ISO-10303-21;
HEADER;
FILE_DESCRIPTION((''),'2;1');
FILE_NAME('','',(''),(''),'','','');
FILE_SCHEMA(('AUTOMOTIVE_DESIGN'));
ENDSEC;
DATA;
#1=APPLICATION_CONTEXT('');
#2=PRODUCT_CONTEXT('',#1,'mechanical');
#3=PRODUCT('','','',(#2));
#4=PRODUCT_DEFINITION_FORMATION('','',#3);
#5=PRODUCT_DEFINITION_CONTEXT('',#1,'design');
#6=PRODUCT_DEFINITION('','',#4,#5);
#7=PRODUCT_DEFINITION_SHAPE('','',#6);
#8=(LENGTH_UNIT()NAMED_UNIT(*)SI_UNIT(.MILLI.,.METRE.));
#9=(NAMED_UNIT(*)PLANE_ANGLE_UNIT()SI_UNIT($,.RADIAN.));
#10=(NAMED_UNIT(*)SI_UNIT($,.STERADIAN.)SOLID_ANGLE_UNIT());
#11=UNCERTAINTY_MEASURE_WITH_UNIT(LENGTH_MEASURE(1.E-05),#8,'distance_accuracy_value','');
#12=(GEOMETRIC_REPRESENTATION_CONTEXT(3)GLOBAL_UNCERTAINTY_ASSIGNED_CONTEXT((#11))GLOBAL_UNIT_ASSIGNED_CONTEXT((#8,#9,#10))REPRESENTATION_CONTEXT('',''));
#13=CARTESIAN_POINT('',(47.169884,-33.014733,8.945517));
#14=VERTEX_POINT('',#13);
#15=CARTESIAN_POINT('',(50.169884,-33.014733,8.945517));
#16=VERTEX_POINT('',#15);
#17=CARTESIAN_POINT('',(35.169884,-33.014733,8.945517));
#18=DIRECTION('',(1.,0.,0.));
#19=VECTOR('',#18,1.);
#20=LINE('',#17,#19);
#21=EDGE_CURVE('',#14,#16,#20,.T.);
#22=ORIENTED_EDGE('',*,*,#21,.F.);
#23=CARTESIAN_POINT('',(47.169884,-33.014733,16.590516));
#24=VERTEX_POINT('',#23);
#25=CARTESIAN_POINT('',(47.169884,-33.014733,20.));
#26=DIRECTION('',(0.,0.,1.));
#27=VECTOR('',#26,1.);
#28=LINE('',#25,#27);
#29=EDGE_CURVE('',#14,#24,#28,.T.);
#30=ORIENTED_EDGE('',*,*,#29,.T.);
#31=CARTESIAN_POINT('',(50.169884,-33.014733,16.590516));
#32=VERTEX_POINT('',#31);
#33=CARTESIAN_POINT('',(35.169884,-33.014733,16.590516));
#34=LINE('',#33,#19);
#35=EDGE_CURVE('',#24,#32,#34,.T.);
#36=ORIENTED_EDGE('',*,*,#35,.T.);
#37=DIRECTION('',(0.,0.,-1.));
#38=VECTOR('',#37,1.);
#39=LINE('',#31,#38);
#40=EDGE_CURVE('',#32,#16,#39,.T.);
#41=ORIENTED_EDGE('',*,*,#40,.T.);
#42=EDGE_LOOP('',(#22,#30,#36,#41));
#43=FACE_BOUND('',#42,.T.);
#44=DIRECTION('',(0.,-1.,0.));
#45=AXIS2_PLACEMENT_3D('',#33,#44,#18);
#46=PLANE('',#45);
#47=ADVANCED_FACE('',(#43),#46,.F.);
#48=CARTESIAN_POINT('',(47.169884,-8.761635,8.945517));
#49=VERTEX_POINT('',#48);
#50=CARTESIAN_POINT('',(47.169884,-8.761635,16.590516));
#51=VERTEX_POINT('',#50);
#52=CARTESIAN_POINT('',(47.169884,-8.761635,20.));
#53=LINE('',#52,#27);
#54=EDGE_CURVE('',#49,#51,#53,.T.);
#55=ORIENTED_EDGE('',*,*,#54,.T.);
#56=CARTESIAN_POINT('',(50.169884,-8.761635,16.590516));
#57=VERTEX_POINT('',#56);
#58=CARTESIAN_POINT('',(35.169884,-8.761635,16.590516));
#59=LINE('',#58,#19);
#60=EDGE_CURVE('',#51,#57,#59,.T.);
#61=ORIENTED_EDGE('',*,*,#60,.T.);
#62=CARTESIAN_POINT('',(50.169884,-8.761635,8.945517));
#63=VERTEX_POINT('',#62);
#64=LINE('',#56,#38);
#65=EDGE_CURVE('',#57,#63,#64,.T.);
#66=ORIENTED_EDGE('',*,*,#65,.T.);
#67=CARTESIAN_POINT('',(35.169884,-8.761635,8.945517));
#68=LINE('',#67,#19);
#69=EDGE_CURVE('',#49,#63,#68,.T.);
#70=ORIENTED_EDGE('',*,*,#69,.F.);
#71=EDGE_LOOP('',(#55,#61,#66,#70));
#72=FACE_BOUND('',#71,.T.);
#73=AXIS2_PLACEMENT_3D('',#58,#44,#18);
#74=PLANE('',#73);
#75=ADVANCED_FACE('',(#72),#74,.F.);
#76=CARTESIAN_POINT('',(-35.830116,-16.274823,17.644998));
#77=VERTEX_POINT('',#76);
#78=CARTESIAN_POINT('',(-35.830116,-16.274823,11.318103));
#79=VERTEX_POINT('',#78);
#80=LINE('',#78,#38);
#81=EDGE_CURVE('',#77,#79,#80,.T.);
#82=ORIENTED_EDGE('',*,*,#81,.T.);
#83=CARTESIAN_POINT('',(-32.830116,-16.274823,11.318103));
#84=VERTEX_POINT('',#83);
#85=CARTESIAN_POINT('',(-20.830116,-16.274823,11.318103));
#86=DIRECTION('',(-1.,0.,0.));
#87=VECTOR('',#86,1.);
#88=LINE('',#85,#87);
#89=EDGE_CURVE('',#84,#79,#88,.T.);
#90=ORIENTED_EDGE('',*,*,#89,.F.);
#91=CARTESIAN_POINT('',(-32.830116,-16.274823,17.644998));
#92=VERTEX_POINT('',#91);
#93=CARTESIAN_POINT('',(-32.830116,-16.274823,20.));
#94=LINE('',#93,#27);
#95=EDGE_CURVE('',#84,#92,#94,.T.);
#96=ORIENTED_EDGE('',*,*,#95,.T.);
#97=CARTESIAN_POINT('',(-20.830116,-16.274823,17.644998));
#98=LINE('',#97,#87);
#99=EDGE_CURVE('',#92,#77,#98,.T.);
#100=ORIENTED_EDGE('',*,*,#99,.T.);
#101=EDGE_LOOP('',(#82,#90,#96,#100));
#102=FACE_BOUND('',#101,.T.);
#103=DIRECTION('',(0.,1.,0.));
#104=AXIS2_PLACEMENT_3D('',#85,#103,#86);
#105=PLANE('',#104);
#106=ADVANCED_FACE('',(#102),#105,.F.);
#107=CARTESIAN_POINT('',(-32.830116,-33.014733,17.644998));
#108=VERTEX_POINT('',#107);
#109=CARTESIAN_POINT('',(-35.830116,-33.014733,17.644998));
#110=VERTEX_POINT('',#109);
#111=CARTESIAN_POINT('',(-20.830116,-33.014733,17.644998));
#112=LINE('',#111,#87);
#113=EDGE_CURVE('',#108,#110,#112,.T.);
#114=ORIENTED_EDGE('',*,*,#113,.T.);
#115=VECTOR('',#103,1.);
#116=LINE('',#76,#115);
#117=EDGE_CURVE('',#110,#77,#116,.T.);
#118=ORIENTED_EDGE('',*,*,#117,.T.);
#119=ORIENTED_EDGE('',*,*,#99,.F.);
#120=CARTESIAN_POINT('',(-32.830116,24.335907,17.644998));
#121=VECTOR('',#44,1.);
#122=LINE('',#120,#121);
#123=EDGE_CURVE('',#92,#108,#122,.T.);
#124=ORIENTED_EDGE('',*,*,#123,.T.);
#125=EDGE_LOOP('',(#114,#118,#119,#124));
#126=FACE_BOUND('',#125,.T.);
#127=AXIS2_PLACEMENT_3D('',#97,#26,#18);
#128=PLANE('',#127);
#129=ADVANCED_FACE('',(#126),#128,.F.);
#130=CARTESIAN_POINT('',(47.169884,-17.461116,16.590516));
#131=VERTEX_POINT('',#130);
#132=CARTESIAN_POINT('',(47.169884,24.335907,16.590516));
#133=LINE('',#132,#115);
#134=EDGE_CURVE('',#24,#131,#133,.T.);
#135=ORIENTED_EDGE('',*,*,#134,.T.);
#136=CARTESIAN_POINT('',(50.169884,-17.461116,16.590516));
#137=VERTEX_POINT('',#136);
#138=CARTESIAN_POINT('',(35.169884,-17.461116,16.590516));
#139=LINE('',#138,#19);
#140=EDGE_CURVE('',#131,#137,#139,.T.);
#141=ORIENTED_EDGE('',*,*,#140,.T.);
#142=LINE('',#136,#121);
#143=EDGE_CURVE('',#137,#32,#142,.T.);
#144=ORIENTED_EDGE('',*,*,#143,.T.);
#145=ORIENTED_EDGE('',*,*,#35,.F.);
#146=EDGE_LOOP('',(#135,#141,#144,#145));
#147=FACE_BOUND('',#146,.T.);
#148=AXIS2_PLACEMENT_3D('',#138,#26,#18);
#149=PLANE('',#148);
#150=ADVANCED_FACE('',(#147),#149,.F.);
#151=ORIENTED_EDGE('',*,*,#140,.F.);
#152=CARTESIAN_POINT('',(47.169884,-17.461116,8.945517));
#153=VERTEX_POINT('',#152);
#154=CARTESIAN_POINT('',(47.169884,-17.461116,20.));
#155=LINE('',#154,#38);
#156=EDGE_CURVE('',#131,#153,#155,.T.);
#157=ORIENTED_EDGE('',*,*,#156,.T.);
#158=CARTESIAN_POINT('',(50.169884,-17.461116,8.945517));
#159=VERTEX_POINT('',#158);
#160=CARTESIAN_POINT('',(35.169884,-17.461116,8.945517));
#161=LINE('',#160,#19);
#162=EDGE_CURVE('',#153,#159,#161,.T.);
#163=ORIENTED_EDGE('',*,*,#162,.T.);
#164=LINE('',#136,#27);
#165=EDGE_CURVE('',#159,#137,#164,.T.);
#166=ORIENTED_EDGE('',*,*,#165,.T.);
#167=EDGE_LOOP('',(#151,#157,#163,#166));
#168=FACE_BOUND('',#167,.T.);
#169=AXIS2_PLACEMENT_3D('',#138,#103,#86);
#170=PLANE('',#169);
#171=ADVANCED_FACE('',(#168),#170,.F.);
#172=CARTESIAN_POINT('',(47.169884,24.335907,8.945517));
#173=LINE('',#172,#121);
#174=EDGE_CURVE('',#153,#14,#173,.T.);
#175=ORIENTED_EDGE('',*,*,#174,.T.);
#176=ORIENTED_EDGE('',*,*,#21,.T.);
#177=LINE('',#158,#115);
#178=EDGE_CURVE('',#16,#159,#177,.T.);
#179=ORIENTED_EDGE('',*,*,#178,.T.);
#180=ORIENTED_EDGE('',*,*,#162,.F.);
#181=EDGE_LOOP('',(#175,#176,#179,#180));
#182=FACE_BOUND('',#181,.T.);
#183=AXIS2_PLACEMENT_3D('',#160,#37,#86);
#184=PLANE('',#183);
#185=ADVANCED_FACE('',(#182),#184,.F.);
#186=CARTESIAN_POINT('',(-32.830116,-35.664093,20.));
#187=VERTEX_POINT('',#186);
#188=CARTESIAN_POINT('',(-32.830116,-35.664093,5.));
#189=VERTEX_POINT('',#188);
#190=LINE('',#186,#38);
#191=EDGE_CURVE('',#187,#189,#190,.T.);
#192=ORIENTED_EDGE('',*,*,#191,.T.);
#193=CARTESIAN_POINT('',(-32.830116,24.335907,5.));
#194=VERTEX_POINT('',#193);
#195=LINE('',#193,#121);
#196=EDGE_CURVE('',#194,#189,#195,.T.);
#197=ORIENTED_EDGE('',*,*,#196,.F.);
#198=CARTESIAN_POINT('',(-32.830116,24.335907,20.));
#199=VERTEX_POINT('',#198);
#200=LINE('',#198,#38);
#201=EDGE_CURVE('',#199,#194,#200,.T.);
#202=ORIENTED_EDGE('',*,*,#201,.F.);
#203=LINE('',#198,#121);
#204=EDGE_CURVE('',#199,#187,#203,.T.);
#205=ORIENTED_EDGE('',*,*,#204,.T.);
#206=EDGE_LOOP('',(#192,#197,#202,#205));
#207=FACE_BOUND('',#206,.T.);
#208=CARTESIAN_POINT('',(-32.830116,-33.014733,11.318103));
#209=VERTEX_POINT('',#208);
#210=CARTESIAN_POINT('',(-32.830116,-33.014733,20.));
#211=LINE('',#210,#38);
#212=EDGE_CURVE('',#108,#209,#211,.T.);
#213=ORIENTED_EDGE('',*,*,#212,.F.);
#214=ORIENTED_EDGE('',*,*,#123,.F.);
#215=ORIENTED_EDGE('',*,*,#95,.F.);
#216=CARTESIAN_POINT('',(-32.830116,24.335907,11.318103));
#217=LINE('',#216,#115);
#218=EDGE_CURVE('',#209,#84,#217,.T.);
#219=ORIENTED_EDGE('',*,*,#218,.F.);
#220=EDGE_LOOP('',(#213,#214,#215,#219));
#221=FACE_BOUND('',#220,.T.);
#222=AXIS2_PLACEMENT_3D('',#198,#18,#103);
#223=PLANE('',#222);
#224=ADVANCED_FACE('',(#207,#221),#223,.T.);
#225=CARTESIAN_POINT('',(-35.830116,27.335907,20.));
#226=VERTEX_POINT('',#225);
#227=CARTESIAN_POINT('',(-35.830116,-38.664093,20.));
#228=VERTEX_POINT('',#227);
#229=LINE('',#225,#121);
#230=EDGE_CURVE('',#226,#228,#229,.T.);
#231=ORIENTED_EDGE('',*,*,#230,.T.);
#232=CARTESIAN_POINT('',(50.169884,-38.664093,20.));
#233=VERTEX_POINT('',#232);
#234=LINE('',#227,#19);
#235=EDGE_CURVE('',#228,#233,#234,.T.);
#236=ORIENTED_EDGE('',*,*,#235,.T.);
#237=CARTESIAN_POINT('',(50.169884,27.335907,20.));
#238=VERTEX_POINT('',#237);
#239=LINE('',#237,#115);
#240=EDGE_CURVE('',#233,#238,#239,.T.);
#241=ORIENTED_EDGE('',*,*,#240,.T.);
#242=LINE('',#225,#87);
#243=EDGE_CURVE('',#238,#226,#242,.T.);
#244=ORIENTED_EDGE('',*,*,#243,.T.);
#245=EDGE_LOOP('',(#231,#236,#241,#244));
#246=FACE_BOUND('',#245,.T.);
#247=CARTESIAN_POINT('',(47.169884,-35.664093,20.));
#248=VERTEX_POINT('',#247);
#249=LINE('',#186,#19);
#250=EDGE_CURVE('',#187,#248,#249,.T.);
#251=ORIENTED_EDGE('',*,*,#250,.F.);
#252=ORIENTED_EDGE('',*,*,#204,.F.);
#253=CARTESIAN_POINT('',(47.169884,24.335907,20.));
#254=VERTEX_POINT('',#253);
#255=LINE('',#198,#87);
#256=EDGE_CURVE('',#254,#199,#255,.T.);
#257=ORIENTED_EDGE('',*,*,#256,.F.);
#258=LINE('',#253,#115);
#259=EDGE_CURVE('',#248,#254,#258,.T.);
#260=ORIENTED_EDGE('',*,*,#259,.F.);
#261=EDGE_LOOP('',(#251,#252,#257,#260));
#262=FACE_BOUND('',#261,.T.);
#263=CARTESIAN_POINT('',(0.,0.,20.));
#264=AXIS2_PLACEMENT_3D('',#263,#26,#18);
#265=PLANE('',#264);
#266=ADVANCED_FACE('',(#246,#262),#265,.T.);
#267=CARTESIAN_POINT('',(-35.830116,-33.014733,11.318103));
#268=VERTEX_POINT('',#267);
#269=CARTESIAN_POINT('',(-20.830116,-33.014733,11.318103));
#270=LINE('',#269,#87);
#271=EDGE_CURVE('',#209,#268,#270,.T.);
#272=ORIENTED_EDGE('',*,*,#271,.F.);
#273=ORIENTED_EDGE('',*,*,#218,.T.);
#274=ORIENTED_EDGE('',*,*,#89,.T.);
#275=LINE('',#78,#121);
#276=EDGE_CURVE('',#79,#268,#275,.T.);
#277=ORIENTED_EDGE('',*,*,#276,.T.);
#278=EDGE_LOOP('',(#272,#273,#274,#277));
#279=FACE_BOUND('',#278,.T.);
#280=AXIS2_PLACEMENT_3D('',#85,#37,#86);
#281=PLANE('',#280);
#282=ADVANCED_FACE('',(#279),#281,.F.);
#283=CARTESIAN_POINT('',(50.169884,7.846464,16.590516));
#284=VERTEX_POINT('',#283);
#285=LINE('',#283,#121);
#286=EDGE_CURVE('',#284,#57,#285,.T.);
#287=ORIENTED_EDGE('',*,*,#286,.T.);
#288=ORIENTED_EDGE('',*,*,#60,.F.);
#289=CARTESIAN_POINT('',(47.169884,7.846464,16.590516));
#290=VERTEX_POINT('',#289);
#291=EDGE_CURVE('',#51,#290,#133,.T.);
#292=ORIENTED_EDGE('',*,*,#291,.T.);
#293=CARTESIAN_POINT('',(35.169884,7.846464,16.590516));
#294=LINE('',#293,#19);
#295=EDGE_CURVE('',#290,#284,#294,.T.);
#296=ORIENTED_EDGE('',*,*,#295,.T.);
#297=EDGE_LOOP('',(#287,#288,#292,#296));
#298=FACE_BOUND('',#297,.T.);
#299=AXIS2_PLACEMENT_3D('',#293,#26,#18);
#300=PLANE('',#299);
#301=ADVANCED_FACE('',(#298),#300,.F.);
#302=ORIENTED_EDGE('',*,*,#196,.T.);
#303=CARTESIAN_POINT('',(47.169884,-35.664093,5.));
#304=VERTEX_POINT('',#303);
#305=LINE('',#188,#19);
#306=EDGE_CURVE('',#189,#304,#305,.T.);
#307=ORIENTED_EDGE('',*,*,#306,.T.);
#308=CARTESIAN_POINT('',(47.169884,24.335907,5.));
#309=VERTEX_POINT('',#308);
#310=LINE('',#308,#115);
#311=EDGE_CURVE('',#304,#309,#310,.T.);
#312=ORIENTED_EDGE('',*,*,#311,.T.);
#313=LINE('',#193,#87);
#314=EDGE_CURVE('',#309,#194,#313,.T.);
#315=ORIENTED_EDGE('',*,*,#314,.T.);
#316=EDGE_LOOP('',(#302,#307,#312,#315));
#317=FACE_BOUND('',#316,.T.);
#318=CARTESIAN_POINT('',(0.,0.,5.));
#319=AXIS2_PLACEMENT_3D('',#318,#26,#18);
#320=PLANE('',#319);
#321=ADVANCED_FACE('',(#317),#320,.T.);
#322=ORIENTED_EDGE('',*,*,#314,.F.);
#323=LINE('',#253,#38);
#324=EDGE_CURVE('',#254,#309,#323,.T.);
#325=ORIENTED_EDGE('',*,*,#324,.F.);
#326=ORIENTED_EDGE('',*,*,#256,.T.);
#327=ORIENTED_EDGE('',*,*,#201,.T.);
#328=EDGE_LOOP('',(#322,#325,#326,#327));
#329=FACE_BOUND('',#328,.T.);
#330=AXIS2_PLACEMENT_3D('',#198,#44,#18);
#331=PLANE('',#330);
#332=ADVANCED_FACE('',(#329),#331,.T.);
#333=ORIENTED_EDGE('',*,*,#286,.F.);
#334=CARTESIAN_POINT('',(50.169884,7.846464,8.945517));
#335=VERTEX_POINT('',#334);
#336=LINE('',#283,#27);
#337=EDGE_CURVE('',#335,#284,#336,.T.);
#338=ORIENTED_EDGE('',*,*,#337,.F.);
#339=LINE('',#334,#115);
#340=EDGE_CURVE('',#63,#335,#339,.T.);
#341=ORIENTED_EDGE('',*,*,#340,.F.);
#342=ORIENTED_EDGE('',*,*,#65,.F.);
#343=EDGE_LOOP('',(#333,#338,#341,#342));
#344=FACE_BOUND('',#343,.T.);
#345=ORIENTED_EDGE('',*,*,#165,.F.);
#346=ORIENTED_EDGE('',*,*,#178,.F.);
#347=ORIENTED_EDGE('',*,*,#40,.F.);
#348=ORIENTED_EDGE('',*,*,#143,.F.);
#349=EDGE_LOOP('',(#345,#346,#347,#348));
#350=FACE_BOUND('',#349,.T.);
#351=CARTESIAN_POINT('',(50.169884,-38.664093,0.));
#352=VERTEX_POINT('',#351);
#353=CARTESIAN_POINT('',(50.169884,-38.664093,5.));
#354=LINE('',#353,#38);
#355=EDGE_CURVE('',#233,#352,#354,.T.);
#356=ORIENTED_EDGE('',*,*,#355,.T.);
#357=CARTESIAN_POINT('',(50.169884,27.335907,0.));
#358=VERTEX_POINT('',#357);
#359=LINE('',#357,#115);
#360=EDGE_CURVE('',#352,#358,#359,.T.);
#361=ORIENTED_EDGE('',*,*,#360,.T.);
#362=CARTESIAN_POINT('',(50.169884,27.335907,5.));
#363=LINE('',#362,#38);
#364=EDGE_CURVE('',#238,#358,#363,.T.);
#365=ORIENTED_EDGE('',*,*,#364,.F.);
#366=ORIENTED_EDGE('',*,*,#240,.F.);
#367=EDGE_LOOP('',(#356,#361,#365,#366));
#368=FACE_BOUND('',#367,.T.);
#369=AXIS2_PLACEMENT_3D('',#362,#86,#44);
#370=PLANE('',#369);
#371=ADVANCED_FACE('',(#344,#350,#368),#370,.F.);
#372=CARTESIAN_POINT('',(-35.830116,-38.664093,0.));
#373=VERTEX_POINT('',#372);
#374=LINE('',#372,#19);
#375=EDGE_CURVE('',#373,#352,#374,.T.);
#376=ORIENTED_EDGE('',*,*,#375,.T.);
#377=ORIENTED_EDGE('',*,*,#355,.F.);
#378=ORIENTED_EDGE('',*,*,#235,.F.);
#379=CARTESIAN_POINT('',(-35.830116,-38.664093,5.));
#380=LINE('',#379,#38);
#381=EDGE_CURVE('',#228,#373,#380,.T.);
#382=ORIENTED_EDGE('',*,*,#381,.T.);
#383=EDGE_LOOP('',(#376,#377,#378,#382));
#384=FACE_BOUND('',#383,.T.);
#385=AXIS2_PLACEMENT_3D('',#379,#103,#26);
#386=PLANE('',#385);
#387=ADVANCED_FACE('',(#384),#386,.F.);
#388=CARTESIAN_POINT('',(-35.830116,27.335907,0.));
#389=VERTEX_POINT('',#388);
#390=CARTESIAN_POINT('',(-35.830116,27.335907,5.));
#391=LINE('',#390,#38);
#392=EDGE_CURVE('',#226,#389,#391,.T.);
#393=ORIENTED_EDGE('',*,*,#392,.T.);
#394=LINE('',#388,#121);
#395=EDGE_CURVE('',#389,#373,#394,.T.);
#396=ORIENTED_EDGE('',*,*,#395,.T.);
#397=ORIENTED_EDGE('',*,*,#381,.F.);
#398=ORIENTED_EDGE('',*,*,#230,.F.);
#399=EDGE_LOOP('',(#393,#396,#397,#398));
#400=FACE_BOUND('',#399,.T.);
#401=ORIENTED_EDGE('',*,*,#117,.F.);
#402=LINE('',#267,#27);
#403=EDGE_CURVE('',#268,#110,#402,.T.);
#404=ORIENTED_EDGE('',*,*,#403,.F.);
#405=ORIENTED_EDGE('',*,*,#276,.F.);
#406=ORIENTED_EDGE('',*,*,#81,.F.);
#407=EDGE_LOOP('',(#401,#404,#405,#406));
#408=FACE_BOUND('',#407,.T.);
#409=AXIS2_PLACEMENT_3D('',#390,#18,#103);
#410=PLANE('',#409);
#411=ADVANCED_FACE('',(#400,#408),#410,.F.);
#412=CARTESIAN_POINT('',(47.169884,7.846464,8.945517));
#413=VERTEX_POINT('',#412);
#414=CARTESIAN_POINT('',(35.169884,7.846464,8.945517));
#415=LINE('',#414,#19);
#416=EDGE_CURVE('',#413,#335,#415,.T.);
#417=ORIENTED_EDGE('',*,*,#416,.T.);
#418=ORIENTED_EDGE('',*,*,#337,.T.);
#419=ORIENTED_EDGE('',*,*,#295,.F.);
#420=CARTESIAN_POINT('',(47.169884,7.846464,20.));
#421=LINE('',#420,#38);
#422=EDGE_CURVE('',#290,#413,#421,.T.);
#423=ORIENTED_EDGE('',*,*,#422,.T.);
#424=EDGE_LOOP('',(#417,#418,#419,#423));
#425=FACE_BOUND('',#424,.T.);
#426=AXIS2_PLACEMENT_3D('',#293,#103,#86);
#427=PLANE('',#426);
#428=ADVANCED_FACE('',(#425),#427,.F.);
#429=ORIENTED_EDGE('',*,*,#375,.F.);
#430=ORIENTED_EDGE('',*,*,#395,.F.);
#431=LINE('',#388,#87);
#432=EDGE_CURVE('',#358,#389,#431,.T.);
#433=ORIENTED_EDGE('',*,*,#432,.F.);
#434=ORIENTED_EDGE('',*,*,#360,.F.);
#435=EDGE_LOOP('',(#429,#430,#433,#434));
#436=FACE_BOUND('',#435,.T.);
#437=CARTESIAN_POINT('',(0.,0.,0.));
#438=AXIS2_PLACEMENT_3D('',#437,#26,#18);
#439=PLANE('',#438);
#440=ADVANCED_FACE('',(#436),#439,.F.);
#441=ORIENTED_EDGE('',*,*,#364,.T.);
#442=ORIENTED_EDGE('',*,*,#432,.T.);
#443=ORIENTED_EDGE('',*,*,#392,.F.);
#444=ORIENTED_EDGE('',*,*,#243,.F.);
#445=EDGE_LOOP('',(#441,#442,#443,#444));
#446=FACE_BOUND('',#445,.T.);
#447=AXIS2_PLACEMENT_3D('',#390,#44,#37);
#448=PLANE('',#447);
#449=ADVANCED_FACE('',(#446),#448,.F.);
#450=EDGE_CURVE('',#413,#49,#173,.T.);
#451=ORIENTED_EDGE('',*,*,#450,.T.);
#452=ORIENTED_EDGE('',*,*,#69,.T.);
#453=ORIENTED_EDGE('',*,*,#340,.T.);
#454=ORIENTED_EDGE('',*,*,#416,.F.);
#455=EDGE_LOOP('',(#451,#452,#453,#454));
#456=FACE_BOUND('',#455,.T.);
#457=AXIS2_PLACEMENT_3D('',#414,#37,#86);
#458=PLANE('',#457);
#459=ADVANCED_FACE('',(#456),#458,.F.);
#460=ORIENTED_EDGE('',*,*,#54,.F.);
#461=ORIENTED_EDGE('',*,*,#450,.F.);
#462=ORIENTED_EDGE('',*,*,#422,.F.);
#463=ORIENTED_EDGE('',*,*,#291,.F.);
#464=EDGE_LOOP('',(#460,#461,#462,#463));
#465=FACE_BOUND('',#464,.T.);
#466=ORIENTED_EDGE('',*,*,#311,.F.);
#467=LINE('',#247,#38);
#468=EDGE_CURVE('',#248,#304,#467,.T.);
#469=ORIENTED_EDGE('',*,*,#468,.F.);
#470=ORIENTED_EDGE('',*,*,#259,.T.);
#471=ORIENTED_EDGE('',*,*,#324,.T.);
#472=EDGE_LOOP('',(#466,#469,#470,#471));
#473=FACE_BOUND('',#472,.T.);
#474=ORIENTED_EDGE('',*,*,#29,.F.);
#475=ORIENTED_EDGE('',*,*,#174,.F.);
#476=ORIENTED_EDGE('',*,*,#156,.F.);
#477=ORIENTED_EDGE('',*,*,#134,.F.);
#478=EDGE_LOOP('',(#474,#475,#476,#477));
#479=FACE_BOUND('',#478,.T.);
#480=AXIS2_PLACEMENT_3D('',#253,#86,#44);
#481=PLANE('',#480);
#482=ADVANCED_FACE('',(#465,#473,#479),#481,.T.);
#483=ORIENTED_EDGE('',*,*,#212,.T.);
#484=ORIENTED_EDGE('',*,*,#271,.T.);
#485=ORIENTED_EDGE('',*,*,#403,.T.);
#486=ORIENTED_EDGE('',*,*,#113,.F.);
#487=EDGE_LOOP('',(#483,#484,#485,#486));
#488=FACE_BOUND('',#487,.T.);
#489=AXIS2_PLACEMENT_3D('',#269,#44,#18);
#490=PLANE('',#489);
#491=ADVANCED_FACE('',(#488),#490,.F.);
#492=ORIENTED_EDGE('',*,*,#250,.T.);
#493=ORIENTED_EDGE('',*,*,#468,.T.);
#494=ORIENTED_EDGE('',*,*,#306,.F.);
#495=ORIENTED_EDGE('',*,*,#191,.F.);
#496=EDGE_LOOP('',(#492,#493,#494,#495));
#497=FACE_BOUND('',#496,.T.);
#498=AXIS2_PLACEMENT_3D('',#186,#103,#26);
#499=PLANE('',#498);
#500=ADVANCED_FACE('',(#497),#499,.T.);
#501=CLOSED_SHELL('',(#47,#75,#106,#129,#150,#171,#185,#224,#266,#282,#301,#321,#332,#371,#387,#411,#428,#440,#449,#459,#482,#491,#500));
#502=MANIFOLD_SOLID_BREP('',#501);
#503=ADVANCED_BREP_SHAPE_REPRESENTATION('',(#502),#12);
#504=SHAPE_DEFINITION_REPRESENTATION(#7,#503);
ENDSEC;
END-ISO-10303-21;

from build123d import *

# Parameters (mm, degrees)
ESQUISSE4_W             = 86
ESQUISSE4_H             = 66
BOSS_EXTRU_3_DEPTH      = 5
ESQUISSE5_W             = 86
ESQUISSE5_H             = 66
ESQUISSE5_W_2           = 80
ESQUISSE5_H_2           = 60
BOSS_EXTRU_5_DEPTH      = 15
ESQUISSE7_W             = 6.326895014
ESQUISSE7_H             = 16.739909725
ENL_V_MAT_EXTRU_3_DEPTH = 15
ESQUISSE8_W             = 7.644998142
ESQUISSE8_H             = 15.55361691
ESQUISSE8_H_2           = 16.608099413
ENL_V_MAT_EXTRU_4_DEPTH = 15


with BuildPart() as part:
    # Esquisse4 → Boss.-Extru.3 (new body)
    with BuildSketch(Plane.XY):
        with Locations((7.16988417, -5.664092664)):
            Rectangle(ESQUISSE4_W, ESQUISSE4_H)
    extrude(amount=BOSS_EXTRU_3_DEPTH)

    # Esquisse5 → Boss.-Extru.5 (add)
    with BuildSketch(Plane.XY.offset(5)):
        with Locations((7.16988417, -5.664092664)):
            Rectangle(ESQUISSE5_W, ESQUISSE5_H)
        with Locations((7.16988417, -5.664092664)):
            Rectangle(ESQUISSE5_W_2, ESQUISSE5_H_2, mode=Mode.SUBTRACT)
    extrude(amount=BOSS_EXTRU_5_DEPTH)

    # Esquisse7 → Enlèv. mat.-Extru.3 (cut)
    with BuildSketch(Plane.ZY.offset(35.83011583)):
        with Locations((14.481550635, -24.644777708)):
            Rectangle(ESQUISSE7_W, ESQUISSE7_H)
    extrude(amount=-ENL_V_MAT_EXTRU_3_DEPTH, mode=Mode.SUBTRACT)

    # Esquisse8 → Enlèv. mat.-Extru.4 (cut)
    with BuildSketch(Plane(origin=(50.16988417, 0, 0), x_dir=(0, 0, -1), z_dir=(1, 0, 0))):
        with Locations((-12.768016569, -25.237924115)):
            Rectangle(ESQUISSE8_W, ESQUISSE8_H)
        with Locations((-12.768016569, -0.457585309)):
            Rectangle(ESQUISSE8_W, ESQUISSE8_H_2)
    extrude(amount=-ENL_V_MAT_EXTRU_4_DEPTH, mode=Mode.SUBTRACT)


solid = part.part
